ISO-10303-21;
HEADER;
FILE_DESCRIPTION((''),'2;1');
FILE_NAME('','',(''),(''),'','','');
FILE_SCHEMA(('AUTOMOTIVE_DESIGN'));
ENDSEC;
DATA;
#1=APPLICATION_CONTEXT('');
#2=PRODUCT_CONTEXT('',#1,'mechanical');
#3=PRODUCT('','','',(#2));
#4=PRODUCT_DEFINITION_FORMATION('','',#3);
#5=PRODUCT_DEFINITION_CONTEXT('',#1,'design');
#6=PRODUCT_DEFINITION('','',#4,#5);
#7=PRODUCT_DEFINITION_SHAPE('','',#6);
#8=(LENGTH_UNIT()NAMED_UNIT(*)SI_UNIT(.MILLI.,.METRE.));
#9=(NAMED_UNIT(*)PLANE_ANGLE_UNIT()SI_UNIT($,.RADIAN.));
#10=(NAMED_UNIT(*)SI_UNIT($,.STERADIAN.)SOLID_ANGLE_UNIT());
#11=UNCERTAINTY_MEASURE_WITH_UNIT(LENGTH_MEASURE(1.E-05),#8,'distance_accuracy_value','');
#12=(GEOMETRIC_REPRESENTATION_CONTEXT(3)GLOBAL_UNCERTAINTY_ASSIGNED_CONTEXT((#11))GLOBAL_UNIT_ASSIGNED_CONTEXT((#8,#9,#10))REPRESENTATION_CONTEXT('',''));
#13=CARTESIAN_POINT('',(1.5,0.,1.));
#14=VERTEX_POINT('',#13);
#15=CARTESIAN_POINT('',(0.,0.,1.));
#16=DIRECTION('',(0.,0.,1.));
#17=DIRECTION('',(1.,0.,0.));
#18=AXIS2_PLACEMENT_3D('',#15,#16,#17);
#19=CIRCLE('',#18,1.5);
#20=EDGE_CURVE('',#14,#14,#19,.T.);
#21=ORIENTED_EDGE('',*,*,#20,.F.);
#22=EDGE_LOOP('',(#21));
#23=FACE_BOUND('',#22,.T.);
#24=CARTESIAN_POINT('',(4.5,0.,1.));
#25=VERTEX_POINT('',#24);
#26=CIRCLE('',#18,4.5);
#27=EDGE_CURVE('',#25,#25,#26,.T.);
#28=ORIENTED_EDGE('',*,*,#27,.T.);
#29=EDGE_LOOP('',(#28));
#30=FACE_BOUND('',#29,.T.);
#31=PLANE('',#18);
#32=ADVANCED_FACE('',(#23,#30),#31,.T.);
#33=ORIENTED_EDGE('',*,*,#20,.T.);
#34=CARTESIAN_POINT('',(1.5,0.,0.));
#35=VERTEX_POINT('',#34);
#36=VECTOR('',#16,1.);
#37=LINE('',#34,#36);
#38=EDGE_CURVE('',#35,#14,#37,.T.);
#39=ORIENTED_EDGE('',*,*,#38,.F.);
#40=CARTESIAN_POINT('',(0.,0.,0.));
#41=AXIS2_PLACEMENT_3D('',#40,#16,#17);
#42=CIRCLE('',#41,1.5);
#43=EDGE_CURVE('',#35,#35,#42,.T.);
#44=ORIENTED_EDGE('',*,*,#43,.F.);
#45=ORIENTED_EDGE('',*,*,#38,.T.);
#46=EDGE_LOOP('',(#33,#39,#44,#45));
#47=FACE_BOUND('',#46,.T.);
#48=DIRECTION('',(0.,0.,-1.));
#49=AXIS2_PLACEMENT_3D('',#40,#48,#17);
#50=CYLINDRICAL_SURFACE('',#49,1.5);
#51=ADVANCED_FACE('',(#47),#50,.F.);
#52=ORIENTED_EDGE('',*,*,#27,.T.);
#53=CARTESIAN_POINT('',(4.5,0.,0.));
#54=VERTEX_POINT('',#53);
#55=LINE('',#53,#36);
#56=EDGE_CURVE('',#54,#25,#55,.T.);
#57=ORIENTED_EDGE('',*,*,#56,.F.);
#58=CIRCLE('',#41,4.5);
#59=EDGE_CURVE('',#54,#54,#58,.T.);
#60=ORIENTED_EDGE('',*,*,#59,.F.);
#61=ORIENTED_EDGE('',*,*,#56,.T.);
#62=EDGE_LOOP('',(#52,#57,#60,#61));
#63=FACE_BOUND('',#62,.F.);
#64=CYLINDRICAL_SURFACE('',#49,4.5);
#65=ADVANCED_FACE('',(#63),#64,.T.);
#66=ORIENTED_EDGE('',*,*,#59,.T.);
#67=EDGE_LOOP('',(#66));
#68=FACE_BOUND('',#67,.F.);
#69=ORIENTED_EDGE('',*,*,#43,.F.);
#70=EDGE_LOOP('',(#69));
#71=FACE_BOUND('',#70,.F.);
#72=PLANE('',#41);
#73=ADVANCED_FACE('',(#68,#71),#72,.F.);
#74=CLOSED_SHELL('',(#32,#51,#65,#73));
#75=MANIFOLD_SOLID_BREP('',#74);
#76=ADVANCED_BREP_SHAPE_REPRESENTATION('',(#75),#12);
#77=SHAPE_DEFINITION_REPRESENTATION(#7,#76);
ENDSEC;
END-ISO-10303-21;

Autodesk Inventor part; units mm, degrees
ref_plane "YZ Plane" through (0, 0, 0) normal (1, 0, 0) x (0, 1, 0)
ref_plane "XZ Plane" through (0, 0, 0) normal (0, 1, 0) x (-1, 0, 0)
ref_plane "XY Plane" through (0, 0, 0) normal (0, 0, 1) x (1, 0, 0)
sketch "Эскиз1" plane through (0, 0, 0) normal (0, 0, 1) x (1, 0, 0)
  circle A0 centre (0, 0) radius 1.5
  circle A1 centre (0, 0) radius 4.5
  dimension "d0" = 3
  dimension "d1" = 9
extrude "Выдавливание1" add sketch "Эскиз1" along normal blind 1
properties part number "Шайба М3"
